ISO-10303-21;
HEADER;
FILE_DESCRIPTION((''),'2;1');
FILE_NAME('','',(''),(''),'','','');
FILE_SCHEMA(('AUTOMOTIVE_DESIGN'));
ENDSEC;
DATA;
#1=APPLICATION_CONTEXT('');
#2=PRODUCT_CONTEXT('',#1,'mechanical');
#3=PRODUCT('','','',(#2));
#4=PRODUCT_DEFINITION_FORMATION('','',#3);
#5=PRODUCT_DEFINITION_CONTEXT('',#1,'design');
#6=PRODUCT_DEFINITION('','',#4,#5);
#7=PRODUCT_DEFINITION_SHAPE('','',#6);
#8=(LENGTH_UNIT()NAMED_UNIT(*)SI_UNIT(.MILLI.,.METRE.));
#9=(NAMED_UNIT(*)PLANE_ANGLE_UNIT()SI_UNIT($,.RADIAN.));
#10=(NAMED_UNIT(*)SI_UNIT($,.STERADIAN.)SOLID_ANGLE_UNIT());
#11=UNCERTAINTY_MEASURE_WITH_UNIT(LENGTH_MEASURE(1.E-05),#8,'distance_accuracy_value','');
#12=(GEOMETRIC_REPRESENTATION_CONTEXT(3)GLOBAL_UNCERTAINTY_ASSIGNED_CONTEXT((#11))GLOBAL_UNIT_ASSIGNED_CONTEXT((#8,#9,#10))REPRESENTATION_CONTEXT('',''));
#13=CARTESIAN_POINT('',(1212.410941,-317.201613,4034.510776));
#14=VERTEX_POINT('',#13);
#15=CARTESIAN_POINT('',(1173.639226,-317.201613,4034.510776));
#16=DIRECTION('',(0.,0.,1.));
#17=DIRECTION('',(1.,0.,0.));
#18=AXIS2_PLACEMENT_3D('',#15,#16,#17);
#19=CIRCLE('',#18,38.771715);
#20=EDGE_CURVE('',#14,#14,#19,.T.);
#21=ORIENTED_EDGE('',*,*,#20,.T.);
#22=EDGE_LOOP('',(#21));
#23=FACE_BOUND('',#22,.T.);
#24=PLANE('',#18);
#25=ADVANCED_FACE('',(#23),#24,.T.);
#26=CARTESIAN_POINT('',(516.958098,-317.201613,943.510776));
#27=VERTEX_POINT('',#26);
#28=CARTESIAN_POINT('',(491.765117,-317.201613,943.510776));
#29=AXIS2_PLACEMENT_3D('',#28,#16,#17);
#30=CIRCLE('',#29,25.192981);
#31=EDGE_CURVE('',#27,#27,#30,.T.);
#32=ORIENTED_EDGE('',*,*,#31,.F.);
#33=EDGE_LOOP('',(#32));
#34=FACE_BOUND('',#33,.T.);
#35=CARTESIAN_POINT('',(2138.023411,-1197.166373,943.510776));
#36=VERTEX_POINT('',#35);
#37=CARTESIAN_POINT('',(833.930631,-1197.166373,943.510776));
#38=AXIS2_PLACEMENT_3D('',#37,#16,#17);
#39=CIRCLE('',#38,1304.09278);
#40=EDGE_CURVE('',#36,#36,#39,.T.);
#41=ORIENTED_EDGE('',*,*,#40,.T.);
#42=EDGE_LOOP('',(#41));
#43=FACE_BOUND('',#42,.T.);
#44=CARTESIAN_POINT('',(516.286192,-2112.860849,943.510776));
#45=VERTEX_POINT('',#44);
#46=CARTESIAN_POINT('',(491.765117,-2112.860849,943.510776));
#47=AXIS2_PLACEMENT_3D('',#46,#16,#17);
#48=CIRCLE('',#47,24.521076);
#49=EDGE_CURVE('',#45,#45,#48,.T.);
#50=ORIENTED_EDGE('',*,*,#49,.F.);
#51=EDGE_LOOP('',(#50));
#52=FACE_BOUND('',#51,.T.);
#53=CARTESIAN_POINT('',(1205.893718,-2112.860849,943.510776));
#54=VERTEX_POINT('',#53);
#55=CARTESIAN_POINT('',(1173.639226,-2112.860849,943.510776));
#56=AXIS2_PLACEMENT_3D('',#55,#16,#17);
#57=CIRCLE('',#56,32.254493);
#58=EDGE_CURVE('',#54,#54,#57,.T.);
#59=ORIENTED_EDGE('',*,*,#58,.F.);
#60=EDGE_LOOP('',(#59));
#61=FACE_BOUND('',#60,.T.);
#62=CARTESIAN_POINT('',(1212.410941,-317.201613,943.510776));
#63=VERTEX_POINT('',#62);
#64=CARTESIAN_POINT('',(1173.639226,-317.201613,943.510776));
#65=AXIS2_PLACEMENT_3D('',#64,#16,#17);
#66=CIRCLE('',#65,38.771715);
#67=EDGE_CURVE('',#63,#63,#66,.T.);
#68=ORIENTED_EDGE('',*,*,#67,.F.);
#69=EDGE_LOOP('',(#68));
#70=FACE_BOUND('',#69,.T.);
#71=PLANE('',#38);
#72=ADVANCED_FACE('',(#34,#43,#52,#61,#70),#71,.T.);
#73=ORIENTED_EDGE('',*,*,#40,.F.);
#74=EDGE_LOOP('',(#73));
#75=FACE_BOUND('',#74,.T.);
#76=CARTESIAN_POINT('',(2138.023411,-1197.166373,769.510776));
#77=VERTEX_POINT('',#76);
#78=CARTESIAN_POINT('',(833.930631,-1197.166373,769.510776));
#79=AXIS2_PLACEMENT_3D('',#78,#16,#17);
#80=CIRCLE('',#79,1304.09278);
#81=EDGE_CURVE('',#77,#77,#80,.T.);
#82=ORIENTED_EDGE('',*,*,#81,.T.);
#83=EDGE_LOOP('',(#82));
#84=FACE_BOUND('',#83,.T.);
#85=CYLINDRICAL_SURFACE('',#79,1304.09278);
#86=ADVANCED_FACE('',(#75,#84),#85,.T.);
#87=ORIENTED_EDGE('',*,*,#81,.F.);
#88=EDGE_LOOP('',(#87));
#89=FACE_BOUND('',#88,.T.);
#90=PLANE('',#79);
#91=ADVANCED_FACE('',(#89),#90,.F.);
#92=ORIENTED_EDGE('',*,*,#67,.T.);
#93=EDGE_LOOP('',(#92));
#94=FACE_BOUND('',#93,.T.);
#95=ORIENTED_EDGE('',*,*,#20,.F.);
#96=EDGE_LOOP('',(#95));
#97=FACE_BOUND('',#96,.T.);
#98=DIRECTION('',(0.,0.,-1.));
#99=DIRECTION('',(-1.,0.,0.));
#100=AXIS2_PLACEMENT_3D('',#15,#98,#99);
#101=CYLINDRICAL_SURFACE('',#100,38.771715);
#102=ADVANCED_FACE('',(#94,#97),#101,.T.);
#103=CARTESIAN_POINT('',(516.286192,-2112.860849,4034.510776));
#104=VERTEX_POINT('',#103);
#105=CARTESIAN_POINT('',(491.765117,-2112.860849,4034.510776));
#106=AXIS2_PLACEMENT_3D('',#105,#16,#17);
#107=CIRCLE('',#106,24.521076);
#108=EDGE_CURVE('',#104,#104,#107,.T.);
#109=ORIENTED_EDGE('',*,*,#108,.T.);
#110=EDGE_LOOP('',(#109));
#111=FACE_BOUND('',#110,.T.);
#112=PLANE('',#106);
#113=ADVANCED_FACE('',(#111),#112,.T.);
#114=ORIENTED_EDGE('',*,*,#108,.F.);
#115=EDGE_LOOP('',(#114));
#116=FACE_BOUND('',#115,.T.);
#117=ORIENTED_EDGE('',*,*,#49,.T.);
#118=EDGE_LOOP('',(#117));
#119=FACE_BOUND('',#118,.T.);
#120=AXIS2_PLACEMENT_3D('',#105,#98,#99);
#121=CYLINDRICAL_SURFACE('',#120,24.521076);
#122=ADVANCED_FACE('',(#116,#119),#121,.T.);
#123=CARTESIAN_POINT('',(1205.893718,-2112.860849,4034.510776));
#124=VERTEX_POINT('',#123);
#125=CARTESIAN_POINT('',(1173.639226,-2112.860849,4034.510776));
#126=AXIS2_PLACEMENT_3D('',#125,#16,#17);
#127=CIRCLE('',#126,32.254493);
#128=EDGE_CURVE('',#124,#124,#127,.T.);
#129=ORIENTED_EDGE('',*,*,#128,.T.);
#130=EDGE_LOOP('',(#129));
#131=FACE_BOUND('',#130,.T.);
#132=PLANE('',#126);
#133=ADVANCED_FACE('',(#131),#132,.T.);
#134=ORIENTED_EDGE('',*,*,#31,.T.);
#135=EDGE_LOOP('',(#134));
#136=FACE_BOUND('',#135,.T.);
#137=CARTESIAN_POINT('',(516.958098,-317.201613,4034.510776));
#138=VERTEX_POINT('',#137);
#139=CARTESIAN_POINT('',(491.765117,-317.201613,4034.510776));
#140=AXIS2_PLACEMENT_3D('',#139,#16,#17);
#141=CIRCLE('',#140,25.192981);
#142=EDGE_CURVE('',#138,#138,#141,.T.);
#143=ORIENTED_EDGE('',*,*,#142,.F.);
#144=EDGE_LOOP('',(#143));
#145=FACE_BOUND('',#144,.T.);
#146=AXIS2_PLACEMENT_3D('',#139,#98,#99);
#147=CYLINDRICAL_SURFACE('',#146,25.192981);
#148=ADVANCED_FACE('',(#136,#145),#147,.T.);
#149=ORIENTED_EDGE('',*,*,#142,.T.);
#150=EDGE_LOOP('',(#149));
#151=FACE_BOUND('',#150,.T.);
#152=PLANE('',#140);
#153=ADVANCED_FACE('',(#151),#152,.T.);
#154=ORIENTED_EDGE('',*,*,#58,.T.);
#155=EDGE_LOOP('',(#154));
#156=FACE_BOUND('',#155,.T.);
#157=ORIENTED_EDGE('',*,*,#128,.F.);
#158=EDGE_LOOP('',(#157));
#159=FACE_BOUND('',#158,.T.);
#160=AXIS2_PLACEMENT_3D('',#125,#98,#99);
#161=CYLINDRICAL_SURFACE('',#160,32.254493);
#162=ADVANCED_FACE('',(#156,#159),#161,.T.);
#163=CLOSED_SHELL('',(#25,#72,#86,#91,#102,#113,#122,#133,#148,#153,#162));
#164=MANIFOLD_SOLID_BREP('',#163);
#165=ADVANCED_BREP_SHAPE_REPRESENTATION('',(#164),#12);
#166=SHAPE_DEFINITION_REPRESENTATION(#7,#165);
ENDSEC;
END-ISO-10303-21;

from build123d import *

# Parameters (mm, degrees)
SKETCH1_R           = 1304.092779863
BOSS_EXTRUDE1_DEPTH = 174
SKETCH3_R           = 38.771715285
SKETCH3_R_2         = 25.192981172
SKETCH3_R_3         = 24.521075722
SKETCH3_R_4         = 32.254492843
BOSS_EXTRUDE2_DEPTH = 3091


with BuildPart() as part:
    # Sketch1 → Boss-Extrude1 (new body)
    with BuildSketch(Plane.XY.offset(943.510776168)):
        with Locations((833.930631376, -1197.16637306)):
            Circle(SKETCH1_R)
    extrude(amount=-BOSS_EXTRUDE1_DEPTH)

    # Sketch3 → Boss-Extrude2 (add)
    with BuildSketch(Plane.XY.offset(943.510776168)):
        with Locations((1173.639225527, -317.201613393)):
            Circle(SKETCH3_R)
        with Locations((491.765116758, -317.201613393)):
            Circle(SKETCH3_R_2)
        with Locations((491.765116758, -2112.860849235)):
            Circle(SKETCH3_R_3)
        with Locations((1173.639225527, -2112.860849235)):
            Circle(SKETCH3_R_4)
    extrude(amount=BOSS_EXTRUDE2_DEPTH)


solid = part.part
